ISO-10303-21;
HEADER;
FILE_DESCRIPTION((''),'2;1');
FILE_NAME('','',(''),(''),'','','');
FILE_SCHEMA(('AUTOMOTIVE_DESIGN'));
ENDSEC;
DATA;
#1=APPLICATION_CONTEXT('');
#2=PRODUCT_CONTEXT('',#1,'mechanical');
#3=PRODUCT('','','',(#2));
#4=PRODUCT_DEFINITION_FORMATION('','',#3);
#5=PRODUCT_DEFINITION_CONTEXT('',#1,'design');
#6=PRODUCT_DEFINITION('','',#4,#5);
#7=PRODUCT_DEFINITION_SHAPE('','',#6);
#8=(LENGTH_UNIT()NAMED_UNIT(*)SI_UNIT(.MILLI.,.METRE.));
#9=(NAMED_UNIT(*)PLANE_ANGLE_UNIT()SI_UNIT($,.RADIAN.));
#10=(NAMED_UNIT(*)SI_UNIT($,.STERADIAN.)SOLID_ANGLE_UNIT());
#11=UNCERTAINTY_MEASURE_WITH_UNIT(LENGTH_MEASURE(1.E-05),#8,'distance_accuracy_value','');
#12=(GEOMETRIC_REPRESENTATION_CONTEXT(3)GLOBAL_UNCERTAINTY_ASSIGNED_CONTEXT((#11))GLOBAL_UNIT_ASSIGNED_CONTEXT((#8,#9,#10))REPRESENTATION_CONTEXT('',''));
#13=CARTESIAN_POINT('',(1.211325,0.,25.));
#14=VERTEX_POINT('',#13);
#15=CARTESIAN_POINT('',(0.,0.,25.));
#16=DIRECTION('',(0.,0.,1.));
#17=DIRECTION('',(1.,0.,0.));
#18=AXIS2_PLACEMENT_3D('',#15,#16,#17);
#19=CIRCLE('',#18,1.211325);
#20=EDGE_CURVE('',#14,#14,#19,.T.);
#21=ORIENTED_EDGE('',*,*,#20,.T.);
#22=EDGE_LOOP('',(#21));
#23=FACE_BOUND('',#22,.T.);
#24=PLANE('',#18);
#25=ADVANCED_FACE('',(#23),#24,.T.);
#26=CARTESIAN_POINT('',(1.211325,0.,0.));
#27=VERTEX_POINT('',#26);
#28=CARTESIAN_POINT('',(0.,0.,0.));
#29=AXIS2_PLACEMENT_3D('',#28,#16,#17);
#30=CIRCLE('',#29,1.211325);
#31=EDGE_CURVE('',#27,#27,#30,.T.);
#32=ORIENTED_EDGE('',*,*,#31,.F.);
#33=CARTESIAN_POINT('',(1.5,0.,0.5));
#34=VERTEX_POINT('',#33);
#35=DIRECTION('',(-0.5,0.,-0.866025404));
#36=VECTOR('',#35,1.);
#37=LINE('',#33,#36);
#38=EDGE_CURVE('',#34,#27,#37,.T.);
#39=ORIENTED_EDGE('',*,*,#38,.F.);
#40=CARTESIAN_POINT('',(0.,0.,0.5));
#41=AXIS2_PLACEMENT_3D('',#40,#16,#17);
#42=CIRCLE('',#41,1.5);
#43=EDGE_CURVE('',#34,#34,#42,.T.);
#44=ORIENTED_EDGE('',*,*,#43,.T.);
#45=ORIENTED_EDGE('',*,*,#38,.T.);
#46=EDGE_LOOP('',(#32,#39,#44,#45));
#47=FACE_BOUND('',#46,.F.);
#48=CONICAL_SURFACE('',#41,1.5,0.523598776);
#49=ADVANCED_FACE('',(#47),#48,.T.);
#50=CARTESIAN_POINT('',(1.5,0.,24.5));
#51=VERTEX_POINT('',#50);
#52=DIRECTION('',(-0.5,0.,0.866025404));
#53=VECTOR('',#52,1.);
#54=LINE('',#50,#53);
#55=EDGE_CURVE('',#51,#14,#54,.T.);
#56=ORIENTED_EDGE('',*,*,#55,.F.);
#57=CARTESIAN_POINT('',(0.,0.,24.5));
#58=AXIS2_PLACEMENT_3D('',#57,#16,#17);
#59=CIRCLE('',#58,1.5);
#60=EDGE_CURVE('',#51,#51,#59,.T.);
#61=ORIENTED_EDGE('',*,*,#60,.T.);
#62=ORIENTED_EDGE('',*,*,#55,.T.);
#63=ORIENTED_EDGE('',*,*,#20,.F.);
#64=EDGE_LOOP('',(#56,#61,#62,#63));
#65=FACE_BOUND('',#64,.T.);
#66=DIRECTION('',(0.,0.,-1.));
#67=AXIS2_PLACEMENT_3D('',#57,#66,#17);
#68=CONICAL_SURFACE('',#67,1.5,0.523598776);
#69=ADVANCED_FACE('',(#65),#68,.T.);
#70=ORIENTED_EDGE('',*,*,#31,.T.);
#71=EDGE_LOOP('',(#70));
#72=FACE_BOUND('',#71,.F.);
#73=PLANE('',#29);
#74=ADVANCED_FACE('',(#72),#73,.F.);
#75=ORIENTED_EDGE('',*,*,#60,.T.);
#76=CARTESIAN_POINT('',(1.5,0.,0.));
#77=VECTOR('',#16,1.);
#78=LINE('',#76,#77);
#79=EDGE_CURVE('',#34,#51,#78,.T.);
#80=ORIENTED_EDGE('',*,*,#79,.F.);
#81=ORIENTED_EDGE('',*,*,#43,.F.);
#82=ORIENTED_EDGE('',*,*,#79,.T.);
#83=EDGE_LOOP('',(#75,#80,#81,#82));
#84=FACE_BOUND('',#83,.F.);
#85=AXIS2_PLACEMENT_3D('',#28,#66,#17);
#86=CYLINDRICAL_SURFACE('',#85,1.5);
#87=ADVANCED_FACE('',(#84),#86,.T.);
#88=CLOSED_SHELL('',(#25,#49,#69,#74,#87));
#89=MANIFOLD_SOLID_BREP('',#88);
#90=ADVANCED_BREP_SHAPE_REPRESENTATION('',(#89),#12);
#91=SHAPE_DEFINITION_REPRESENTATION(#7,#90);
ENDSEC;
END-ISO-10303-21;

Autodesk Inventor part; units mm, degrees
ref_plane "YZ Plane" through (0, 0, 0) normal (1, 0, 0) x (0, 1, 0)
ref_plane "XZ Plane" through (0, 0, 0) normal (0, 1, 0) x (-1, 0, 0)
ref_plane "XY Plane" through (0, 0, 0) normal (0, 0, 1) x (1, 0, 0)
sketch "スケッチ1" plane through (0, 0, 0) normal (0, 0, 1) x (1, 0, 0)
  circle A0 centre (0, 0) radius 1.5
  dimension "d0" = 3
extrude "押し出し1" add sketch "スケッチ1" along normal blind 25
chamfer "面取り1" distance 0.5 angle 30 2 edges at (-1.5, 0, 25) (-1.5, 0, 0) measured on face at (1.4806, -0.2406, 8.3333)
properties part number "平行ピンΦ3.25" material "鋼、高強度、低合金"
